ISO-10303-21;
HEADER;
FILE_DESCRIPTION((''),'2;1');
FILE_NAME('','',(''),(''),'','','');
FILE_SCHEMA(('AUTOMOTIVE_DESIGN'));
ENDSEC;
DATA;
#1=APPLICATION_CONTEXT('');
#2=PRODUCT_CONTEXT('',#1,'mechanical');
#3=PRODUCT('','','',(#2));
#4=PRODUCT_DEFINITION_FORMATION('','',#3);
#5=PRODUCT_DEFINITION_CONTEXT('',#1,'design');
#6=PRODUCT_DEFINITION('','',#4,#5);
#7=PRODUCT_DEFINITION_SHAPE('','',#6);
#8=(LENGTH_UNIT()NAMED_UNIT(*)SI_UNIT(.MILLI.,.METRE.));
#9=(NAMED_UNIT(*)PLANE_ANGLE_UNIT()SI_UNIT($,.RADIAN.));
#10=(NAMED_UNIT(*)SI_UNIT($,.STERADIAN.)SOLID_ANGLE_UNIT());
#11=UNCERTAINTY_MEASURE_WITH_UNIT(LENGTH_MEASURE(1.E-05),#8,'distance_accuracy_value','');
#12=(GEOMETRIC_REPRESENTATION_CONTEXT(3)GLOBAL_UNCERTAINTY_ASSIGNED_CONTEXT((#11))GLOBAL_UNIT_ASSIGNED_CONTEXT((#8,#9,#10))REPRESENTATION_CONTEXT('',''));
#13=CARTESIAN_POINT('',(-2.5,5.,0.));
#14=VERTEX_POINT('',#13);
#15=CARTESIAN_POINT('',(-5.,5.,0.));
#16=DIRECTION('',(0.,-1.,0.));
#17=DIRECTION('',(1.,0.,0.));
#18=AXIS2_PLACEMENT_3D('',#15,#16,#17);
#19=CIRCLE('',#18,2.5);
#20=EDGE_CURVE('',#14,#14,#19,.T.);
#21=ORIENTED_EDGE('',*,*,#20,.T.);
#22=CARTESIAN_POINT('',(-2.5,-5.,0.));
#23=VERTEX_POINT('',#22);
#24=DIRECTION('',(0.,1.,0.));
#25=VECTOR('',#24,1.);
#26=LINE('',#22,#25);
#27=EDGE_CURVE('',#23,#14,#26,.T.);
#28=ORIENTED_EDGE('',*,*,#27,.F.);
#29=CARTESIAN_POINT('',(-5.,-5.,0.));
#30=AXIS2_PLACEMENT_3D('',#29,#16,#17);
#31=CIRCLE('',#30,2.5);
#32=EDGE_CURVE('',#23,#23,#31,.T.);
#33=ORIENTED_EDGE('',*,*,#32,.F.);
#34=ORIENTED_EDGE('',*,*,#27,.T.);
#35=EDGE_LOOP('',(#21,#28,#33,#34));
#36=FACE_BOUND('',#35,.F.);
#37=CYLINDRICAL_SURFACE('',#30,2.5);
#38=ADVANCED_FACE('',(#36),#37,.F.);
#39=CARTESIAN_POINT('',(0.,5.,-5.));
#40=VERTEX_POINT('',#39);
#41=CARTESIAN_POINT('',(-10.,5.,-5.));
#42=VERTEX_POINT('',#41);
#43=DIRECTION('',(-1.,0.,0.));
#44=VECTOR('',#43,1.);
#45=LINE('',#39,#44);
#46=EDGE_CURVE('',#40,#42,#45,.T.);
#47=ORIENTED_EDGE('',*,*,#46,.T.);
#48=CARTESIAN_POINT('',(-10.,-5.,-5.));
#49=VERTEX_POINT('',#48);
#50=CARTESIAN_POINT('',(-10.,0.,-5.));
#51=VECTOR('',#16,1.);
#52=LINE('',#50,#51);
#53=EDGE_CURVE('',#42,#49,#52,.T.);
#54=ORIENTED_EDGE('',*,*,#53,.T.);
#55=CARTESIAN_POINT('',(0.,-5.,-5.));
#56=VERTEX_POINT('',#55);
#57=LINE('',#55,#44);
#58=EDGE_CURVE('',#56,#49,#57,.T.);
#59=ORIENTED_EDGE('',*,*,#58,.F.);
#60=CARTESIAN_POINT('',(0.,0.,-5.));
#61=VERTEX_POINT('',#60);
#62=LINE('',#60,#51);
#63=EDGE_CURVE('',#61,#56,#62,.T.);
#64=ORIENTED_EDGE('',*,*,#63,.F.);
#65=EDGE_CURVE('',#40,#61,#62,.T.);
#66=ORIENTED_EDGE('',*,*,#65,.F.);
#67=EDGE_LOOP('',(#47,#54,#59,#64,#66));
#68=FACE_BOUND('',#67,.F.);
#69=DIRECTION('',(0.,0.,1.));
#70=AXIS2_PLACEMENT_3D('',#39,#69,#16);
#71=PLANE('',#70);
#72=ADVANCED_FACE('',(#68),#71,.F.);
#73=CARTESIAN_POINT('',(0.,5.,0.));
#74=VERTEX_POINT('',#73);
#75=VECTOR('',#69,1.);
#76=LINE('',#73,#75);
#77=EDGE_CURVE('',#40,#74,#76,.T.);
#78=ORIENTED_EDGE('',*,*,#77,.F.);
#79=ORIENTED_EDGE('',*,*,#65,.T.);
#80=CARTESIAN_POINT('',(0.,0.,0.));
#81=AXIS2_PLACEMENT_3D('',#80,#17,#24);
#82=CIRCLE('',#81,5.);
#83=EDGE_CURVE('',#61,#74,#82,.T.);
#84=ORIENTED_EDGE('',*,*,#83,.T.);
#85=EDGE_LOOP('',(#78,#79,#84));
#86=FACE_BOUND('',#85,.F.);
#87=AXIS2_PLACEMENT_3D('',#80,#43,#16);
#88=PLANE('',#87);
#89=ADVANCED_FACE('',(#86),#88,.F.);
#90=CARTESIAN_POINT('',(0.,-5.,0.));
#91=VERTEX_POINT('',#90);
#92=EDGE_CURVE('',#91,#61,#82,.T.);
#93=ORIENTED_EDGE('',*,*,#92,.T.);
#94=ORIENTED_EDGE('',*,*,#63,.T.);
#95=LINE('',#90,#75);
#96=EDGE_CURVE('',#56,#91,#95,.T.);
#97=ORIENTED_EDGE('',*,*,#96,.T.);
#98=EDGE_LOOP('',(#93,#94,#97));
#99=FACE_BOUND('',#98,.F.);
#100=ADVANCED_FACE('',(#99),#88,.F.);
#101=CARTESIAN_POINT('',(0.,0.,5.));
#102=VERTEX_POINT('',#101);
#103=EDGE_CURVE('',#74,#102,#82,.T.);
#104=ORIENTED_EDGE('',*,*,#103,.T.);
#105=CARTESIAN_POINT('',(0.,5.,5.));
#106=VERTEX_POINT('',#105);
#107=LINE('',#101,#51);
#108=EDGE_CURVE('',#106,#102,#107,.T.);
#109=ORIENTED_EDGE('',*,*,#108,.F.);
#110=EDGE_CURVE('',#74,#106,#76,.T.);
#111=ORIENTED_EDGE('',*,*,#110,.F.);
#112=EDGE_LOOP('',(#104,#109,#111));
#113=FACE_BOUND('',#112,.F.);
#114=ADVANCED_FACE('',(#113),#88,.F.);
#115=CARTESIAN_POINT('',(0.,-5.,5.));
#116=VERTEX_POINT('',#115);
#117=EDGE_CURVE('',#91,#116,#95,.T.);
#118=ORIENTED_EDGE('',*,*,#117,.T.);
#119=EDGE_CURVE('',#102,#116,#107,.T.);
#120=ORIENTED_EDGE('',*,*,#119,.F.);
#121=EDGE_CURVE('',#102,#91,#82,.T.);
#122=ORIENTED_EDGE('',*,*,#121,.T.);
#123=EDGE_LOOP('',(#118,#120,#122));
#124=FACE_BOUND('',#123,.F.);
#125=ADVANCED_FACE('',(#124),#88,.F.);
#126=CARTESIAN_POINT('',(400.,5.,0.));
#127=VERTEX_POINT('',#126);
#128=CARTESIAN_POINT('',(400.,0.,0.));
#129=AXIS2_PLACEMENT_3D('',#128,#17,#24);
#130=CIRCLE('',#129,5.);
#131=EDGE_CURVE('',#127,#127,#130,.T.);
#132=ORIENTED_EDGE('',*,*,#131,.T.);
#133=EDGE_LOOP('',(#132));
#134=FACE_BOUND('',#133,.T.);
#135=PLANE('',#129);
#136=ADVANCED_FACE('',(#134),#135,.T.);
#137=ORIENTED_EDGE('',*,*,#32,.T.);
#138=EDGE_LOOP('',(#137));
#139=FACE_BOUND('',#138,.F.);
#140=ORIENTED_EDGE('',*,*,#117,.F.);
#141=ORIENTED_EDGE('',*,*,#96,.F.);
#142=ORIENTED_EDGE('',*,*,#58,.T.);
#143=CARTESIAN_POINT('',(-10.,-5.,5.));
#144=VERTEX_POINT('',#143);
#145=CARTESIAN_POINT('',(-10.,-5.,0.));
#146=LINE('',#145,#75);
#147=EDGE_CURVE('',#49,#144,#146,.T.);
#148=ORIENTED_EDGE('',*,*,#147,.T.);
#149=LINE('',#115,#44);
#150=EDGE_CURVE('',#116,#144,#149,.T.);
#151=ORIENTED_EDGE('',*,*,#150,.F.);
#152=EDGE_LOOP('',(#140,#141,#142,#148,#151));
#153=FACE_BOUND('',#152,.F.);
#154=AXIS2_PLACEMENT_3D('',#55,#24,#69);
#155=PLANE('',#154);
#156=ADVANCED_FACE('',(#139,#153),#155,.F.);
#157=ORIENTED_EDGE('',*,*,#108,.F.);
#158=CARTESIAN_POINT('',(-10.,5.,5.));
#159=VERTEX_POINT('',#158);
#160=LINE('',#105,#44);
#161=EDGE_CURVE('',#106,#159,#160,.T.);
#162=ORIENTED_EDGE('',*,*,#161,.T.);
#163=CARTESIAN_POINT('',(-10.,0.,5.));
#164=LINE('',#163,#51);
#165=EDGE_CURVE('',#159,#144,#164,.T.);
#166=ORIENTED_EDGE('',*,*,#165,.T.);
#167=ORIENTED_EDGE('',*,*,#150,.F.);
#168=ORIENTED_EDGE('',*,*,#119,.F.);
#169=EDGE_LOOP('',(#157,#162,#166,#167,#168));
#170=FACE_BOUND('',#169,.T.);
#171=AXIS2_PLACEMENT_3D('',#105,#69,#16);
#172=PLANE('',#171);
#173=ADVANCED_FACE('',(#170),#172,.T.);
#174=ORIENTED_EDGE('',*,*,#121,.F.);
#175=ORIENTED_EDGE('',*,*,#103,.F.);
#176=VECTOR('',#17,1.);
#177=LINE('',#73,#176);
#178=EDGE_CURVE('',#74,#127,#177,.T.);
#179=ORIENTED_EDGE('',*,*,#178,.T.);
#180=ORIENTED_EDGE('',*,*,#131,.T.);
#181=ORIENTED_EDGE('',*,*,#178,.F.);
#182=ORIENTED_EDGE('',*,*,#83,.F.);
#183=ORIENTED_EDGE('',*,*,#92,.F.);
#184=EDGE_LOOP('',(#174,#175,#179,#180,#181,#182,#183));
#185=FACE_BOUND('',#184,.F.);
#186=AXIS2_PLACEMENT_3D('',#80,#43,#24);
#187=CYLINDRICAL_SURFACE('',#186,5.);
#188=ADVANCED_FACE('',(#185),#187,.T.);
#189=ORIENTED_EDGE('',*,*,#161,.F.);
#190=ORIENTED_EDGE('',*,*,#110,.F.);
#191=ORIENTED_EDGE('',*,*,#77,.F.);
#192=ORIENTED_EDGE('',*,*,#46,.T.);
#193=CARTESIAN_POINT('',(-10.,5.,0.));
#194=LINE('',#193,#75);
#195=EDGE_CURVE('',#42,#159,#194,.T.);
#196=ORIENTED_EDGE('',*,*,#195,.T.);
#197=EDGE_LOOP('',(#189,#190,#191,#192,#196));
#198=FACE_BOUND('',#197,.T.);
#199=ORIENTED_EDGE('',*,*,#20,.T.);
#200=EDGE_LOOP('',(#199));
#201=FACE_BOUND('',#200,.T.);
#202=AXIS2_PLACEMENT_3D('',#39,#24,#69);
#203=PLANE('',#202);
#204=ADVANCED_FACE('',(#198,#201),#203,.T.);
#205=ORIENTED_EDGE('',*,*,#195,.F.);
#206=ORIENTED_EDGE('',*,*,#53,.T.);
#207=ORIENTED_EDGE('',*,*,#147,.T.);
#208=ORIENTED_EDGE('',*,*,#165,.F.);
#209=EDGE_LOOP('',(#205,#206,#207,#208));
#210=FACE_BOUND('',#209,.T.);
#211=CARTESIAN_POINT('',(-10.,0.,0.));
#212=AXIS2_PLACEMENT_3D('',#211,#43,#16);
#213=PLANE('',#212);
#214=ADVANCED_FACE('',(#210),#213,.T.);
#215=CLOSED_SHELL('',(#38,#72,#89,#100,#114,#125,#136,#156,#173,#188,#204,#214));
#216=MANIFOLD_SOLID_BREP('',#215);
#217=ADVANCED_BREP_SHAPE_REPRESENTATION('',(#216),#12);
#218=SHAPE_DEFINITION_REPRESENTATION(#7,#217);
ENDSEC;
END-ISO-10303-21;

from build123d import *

# Parameters (mm, degrees)
F0_R     = 5
F1_DEPTH = 400
F2_W     = 10
F2_H     = 10
F3_DEPTH = 10
F4_R     = 2.5
F5_DEPTH = 25


with BuildPart() as f1:
    # F0 (on Right) → F1 (new body)
    with BuildSketch(Plane.YZ):
        Circle(F0_R)
    extrude(amount=F1_DEPTH)

    # F2 (on face) → F3 (join)
    with BuildSketch(Plane(origin=(0, 0, 0), x_dir=(0, -1, 0), z_dir=(-1, 0, 0))):
        Rectangle(F2_W, F2_H)
    extrude(amount=F3_DEPTH)

    # F4 (on face) → F5 (cut)
    with BuildSketch(Plane.XZ.offset(5)):
        with Locations((-5, 0)):
            Circle(F4_R)
    extrude(amount=-F5_DEPTH, mode=Mode.SUBTRACT)


solid = f1.part
